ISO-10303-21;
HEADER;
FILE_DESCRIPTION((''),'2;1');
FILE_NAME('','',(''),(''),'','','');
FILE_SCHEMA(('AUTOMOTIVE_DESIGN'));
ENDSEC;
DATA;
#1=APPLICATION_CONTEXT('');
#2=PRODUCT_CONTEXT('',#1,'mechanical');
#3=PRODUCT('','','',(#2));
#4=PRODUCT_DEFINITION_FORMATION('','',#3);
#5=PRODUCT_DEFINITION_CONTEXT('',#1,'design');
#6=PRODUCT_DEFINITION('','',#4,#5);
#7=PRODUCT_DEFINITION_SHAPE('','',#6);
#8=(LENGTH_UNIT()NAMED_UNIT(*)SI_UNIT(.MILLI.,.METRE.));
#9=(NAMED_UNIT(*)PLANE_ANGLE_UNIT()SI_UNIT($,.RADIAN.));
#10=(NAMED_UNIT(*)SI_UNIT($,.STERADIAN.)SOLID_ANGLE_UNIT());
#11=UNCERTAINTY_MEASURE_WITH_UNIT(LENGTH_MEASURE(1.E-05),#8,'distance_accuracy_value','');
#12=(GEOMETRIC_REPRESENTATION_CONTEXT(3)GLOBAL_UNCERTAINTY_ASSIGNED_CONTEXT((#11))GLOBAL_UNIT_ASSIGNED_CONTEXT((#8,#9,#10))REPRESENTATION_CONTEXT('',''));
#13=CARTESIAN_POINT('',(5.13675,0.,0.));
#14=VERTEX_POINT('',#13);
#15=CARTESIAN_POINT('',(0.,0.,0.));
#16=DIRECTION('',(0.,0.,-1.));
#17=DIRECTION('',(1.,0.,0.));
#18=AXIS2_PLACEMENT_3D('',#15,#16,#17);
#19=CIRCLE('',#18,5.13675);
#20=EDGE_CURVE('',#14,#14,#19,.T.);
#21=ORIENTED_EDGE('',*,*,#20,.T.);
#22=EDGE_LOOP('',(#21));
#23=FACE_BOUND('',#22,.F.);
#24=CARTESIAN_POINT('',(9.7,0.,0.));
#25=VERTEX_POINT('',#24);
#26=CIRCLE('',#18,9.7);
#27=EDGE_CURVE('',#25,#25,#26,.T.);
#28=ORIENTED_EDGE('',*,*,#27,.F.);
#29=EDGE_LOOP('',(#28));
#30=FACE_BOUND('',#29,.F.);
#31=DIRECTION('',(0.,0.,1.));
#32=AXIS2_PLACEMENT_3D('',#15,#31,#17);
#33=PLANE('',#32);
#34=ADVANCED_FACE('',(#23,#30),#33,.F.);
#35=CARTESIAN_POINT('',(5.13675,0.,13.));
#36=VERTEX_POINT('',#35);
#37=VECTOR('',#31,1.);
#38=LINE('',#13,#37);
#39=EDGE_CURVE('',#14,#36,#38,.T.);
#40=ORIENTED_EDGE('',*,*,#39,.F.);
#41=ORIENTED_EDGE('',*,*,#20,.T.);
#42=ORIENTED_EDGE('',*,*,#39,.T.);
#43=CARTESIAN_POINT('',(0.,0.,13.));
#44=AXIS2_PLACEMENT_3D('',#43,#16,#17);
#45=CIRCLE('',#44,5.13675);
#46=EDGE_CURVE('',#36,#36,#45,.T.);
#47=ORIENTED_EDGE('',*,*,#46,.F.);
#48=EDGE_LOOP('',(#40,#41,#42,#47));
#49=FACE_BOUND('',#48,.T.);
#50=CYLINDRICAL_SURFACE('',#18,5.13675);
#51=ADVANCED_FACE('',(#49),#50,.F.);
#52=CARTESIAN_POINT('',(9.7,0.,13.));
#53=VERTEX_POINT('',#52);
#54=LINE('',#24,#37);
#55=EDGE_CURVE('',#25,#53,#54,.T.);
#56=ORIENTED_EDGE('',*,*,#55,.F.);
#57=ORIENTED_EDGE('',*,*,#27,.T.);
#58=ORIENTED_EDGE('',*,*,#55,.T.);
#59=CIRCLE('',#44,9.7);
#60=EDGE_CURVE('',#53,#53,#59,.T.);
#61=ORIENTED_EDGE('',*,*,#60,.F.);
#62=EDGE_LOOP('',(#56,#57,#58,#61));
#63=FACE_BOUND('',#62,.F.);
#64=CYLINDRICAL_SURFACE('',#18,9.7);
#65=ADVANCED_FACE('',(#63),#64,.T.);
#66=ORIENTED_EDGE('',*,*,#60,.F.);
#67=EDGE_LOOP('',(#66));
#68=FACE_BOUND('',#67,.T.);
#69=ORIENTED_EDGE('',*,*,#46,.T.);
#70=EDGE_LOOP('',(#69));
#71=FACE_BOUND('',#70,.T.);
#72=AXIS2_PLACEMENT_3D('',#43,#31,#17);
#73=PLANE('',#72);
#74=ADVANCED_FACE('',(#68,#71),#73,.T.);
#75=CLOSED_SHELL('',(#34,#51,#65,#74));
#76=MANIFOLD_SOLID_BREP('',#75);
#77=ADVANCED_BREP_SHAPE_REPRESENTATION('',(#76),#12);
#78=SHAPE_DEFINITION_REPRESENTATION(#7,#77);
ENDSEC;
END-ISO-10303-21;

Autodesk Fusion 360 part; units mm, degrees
sketch "Sketch1" plane through (0, 0, 0) normal (0, 0, 1) x (1, 0, 0)
  circle A0 centre (0, 0) radius 10.2
  circle A1 centre (0, 0) radius 8
  dimension "d1" = 20.4
  dimension "d3" = 16
sketch "Sketch2" plane through (0, 0, 0) normal (0, 0, 1) x (1, 0, 0)
  circle A0 centre (0, 0) radius 9.7
  circle A1 centre (0, 0) radius 6
  dimension "d8" = 19.4
  dimension "d9" = 12
extrude "Extrude2" add sketch "Sketch2" along normal blind 13
thread "Thread2" "ISO Metric profile 12.0 M12x1.75 6H" major diameter 12.2265 minor diameter 10.2735 pitch 1.75 angle 60 resizes the face on face at (5.9702, -0.5974, 8.6667)
equation "ID = 14 mm"
